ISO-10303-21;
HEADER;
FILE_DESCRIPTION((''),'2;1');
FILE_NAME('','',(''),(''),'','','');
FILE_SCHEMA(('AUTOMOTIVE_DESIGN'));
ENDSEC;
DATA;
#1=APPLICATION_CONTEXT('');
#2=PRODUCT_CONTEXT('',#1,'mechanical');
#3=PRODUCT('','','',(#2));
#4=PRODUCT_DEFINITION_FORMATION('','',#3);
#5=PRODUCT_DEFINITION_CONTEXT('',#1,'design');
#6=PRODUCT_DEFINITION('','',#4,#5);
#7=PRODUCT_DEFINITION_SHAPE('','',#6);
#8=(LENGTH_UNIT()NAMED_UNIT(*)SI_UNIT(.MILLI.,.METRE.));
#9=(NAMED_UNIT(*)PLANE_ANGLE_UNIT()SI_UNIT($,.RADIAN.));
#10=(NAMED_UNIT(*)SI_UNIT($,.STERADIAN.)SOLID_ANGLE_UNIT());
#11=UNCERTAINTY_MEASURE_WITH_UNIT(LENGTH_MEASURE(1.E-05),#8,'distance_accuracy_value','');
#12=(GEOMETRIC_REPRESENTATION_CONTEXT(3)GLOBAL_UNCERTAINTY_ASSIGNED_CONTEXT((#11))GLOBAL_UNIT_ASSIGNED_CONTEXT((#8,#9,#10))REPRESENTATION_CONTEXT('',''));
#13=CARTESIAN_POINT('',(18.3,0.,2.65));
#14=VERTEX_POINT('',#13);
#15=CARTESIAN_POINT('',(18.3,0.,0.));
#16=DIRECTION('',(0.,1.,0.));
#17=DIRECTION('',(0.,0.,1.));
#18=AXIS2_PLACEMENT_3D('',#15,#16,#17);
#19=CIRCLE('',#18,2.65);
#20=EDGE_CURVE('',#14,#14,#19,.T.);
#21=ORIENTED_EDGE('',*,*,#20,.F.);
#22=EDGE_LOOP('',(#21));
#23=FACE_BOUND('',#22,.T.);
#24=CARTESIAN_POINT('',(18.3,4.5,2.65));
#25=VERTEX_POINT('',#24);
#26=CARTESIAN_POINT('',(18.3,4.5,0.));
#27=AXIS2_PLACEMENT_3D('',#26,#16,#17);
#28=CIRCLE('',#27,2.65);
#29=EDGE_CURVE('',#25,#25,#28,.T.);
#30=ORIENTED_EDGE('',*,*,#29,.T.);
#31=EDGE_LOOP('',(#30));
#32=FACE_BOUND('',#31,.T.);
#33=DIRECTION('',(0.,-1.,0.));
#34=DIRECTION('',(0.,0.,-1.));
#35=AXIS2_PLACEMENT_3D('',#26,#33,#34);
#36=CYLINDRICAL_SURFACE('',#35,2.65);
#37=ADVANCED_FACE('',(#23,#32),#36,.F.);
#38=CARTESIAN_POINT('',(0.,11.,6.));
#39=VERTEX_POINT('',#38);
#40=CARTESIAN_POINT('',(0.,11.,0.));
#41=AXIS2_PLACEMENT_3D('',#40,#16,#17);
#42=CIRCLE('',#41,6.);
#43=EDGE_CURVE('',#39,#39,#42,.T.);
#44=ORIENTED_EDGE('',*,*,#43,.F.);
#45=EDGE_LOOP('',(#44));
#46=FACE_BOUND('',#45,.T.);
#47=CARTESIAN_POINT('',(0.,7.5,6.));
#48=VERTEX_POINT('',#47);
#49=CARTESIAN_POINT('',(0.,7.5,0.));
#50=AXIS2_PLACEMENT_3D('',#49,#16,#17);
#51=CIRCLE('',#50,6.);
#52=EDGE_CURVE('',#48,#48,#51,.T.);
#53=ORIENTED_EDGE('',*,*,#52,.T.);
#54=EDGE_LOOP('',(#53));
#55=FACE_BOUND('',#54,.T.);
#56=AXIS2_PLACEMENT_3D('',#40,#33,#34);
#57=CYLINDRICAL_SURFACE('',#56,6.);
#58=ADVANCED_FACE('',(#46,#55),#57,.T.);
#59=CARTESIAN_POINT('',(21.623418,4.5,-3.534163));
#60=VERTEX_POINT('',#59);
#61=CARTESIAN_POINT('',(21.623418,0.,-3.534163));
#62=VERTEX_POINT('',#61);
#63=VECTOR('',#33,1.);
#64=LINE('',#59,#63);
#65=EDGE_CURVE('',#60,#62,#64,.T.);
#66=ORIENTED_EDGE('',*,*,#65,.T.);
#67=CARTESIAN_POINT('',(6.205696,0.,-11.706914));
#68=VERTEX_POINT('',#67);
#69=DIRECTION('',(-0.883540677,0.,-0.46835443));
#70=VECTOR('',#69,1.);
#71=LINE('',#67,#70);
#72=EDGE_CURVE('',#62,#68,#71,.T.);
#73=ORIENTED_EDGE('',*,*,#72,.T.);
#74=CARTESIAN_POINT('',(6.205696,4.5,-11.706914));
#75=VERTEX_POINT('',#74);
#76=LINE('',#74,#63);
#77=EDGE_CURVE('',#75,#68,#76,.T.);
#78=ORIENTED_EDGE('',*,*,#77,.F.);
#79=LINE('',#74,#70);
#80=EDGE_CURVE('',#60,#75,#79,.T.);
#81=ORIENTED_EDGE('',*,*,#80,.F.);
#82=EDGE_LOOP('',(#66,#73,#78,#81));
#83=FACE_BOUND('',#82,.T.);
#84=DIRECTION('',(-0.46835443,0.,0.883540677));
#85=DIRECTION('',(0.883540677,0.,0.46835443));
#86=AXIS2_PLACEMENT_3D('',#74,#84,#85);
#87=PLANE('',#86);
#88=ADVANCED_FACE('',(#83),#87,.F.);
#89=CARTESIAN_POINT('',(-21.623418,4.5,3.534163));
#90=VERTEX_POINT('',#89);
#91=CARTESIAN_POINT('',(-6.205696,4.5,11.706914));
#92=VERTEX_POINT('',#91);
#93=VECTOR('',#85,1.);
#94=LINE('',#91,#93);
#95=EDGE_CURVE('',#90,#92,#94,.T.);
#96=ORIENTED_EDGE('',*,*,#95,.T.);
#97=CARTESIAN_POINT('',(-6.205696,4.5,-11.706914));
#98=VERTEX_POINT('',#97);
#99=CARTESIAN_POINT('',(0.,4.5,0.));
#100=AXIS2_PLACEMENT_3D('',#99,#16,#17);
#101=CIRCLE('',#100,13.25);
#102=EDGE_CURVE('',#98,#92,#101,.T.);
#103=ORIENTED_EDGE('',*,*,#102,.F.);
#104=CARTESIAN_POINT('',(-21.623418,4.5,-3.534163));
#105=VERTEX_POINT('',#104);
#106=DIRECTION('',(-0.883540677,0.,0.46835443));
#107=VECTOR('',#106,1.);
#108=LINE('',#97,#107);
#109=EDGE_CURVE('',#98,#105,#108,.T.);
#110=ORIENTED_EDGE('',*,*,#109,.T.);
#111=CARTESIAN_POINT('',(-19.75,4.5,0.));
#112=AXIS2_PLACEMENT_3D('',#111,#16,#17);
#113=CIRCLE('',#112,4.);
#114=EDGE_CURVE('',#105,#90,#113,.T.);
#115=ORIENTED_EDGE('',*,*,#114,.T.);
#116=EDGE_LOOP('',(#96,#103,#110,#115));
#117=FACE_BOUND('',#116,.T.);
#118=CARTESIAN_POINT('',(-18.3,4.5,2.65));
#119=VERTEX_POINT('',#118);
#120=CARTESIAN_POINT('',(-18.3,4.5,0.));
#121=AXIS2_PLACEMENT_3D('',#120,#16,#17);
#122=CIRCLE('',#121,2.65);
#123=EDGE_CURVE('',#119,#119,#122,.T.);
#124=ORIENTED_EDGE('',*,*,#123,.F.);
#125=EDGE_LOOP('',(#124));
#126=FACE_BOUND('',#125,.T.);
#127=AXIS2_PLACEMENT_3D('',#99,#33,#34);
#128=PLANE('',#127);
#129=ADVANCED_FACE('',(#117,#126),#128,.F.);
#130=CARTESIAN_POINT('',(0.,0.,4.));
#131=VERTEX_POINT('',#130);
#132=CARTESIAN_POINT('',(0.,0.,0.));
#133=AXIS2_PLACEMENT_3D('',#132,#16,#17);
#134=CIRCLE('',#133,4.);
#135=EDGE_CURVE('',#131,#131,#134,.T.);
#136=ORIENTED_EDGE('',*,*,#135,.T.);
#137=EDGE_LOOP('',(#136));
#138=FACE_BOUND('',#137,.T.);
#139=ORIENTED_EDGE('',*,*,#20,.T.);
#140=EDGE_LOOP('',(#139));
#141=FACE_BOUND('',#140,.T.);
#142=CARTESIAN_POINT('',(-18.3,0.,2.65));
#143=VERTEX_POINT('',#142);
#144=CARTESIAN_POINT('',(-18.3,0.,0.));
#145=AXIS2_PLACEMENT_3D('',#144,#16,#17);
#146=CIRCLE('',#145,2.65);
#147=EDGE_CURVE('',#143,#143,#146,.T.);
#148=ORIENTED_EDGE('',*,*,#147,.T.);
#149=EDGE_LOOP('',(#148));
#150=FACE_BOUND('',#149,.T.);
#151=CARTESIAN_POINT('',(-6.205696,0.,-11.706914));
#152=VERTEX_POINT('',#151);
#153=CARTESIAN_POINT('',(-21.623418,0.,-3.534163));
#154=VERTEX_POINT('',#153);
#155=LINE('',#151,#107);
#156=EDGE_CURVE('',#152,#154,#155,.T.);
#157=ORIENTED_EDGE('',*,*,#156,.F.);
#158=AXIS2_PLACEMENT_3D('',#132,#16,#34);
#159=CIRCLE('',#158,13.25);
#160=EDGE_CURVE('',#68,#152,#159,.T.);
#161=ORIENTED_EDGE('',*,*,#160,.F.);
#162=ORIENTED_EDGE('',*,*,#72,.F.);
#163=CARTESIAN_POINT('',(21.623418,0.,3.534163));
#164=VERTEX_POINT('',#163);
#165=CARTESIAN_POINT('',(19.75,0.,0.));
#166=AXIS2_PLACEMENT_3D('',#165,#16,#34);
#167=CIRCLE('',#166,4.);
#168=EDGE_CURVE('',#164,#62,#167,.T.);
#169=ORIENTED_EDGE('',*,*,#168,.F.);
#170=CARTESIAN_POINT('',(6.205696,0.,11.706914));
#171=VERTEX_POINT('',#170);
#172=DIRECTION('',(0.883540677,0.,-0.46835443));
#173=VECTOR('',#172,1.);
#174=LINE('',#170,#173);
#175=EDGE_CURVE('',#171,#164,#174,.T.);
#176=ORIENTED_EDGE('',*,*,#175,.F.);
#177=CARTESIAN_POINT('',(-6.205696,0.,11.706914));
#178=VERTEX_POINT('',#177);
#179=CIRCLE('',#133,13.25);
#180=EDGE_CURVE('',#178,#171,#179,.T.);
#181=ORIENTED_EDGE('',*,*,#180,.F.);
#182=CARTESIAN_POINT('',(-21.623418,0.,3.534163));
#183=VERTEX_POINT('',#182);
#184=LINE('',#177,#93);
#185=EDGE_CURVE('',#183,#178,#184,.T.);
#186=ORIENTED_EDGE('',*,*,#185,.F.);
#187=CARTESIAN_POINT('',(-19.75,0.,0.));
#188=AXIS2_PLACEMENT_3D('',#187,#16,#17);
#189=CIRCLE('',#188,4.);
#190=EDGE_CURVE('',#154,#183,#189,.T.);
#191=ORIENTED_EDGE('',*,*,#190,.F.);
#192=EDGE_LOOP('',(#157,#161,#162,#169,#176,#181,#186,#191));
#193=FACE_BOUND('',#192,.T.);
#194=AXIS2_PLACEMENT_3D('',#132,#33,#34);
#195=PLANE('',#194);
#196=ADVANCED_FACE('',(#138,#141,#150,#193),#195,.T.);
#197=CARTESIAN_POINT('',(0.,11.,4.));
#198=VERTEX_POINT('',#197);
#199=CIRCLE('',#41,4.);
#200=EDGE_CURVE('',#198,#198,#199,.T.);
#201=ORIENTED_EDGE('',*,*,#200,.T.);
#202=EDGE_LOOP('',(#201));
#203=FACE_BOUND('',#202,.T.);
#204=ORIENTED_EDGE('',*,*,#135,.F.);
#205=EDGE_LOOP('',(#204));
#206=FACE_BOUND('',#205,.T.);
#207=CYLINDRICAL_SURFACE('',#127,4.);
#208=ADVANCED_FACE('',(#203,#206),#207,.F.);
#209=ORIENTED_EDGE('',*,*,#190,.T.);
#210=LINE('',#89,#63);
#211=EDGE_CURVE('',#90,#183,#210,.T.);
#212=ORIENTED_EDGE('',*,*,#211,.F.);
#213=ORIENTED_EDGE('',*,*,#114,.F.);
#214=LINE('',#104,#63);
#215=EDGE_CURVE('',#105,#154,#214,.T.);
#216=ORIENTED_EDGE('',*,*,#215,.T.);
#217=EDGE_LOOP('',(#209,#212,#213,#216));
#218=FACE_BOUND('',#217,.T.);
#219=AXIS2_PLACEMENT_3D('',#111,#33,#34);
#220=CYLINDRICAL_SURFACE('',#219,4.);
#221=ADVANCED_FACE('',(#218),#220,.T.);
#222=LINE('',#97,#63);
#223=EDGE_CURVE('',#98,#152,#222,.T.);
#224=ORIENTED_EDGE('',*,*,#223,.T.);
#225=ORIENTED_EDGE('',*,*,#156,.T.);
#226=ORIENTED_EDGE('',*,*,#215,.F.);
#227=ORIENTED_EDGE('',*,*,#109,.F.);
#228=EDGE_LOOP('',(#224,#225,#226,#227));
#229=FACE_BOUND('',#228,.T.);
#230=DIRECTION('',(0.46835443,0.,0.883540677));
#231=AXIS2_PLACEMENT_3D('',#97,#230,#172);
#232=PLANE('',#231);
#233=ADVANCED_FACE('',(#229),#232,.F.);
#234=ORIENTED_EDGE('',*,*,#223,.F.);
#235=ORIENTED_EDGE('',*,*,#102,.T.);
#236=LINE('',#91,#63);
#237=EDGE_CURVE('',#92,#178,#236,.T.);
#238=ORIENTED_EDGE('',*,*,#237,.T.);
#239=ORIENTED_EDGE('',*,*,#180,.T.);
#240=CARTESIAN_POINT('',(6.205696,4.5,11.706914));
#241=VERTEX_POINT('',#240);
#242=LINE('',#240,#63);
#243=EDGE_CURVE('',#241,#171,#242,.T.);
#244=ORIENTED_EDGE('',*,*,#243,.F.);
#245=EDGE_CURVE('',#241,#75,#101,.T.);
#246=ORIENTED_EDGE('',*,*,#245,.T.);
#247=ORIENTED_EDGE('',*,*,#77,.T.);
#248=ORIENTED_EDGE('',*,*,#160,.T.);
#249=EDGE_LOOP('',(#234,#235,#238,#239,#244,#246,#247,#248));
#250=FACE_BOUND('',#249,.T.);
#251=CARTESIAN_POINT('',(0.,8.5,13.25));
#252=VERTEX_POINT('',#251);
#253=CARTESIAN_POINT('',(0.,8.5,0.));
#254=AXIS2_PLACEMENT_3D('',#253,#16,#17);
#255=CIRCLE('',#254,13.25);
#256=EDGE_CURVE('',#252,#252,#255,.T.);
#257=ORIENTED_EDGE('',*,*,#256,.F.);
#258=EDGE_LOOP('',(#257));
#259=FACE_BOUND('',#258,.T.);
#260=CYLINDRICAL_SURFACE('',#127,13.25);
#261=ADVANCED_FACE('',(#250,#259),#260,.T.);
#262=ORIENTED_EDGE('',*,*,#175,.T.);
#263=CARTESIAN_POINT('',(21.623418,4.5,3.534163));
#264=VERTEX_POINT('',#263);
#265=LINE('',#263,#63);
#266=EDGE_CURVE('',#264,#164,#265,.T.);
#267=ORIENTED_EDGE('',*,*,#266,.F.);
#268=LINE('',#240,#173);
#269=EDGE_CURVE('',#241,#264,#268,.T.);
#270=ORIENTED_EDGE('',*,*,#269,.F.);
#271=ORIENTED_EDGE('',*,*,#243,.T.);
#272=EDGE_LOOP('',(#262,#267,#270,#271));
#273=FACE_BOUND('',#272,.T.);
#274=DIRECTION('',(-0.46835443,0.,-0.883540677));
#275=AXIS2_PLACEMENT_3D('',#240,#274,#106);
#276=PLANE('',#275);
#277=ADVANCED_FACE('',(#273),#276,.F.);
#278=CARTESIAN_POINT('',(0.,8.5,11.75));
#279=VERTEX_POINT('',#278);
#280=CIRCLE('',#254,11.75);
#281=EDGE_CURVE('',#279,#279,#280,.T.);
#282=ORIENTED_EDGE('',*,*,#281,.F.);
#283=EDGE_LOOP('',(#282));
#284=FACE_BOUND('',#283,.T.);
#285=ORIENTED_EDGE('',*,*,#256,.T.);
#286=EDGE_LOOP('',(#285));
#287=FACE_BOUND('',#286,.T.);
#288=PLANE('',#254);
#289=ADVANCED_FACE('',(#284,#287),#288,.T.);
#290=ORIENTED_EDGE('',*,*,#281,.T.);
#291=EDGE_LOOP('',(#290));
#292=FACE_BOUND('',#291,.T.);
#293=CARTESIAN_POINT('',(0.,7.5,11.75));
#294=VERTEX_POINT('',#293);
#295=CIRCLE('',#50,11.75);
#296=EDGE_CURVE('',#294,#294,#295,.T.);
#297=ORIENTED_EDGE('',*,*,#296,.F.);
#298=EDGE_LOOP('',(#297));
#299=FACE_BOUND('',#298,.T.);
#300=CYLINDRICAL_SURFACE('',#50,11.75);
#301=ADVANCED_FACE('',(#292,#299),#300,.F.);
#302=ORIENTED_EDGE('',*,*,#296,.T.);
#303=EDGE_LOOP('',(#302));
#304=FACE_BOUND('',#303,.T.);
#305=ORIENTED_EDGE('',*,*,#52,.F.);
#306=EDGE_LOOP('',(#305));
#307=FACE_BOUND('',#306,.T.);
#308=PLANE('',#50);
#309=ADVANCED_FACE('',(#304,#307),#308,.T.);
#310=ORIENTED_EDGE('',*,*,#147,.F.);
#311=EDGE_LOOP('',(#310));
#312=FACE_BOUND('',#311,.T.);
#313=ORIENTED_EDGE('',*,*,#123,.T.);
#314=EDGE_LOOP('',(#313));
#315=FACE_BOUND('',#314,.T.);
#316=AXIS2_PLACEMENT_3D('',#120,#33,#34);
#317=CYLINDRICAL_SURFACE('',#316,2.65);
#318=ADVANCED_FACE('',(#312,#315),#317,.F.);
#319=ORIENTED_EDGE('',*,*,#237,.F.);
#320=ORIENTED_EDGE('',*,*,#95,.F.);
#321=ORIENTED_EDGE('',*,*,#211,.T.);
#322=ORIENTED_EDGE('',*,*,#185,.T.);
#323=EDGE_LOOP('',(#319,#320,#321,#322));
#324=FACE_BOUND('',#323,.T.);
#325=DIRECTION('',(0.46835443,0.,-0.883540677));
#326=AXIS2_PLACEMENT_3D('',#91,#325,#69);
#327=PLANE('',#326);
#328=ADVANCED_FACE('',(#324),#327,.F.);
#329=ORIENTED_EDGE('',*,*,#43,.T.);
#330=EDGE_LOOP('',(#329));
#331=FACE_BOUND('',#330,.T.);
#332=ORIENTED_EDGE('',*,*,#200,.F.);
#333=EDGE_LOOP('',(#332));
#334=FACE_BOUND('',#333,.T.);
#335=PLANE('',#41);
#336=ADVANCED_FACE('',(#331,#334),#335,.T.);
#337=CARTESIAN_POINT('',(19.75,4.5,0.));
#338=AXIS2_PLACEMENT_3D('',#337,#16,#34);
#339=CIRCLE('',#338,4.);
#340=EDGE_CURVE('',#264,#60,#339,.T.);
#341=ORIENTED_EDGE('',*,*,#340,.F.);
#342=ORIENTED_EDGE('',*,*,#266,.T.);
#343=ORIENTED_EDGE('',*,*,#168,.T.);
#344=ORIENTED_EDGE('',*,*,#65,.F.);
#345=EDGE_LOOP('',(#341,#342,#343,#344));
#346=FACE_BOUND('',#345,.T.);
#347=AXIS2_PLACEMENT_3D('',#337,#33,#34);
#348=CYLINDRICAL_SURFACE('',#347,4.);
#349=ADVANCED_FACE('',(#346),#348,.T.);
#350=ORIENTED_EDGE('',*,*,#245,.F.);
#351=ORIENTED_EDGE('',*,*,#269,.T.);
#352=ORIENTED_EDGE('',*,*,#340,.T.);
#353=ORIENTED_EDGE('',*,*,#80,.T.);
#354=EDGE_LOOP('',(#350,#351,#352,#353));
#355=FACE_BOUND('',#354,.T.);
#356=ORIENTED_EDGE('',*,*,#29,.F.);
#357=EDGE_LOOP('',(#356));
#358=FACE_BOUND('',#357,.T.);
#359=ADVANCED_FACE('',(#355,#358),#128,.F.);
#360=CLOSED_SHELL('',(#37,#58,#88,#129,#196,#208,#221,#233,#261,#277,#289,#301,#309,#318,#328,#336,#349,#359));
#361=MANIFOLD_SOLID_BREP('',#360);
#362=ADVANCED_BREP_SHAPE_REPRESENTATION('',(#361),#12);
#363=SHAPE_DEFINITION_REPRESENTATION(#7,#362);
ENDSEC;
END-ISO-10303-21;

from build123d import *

# Parameters (mm, degrees)
SKETCH1_R           = 2.65
SKETCH1_R_2         = 4
BOSS_EXTRUDE1_DEPTH = 4.5
SKETCH2_R           = 13.25
SKETCH2_R_2         = 4
BOSS_EXTRUDE2_DEPTH = 4
SKETCH3_R           = 6
SKETCH3_R_2         = 4
BOSS_EXTRUDE3_DEPTH = 2.5
SKETCH4_R           = 11.75
SKETCH4_R_2         = 6
CUT_EXTRUDE1_DEPTH  = 1


with BuildPart() as part:
    # Sketch1 → Boss-Extrude1 (new body)
    with BuildSketch(Plane(origin=(0, 0, 0), x_dir=(1, 0, 0), z_dir=(0, 1, 0))):
        with BuildLine():
            Line((6.205696203, 11.706913967), (21.623417722, 3.534162707))
            ThreePointArc((21.623417722, 3.534162707), (23.75, 0), (21.623417722, -3.534162707))
            Line((21.623417722, -3.534162707), (6.205696203, -11.706913967))
            ThreePointArc((6.205696203, -11.706913967), (0, -13.25), (-6.205696203, -11.706913967))
            Line((-6.205696203, -11.706913967), (-21.623417722, -3.534162707))
            ThreePointArc((-21.623417722, -3.534162707), (-23.75, 0), (-21.623417722, 3.534162707))
            Line((-21.623417722, 3.534162707), (-6.205696203, 11.706913967))
            ThreePointArc((-6.205696203, 11.706913967), (0, 13.25), (6.205696203, 11.706913967))
        make_face()
        with Locations((-18.3, 0)):
            Circle(SKETCH1_R, mode=Mode.SUBTRACT)
        with Locations((18.3, 0)):
            Circle(SKETCH1_R, mode=Mode.SUBTRACT)
        Circle(SKETCH1_R_2, mode=Mode.SUBTRACT)
    extrude(amount=BOSS_EXTRUDE1_DEPTH)

    # Sketch2 → Boss-Extrude2 (add)
    with BuildSketch(Plane(origin=(0, 4.5, 0), x_dir=(1, 0, 0), z_dir=(0, 1, 0))):
        Circle(SKETCH2_R)
        Circle(SKETCH2_R_2, mode=Mode.SUBTRACT)
    extrude(amount=BOSS_EXTRUDE2_DEPTH)

    # Sketch3 → Boss-Extrude3 (add)
    with BuildSketch(Plane(origin=(0, 8.5, 0), x_dir=(1, 0, 0), z_dir=(0, 1, 0))):
        Circle(SKETCH3_R)
        Circle(SKETCH3_R_2, mode=Mode.SUBTRACT)
    extrude(amount=BOSS_EXTRUDE3_DEPTH)

    # Sketch4 → Cut-Extrude1 (cut)
    with BuildSketch(Plane(origin=(0, 8.5, 0), x_dir=(1, 0, 0), z_dir=(0, 1, 0))):
        Circle(SKETCH4_R)
        Circle(SKETCH4_R_2, mode=Mode.SUBTRACT)
    extrude(amount=-CUT_EXTRUDE1_DEPTH, mode=Mode.SUBTRACT)


solid = part.part
